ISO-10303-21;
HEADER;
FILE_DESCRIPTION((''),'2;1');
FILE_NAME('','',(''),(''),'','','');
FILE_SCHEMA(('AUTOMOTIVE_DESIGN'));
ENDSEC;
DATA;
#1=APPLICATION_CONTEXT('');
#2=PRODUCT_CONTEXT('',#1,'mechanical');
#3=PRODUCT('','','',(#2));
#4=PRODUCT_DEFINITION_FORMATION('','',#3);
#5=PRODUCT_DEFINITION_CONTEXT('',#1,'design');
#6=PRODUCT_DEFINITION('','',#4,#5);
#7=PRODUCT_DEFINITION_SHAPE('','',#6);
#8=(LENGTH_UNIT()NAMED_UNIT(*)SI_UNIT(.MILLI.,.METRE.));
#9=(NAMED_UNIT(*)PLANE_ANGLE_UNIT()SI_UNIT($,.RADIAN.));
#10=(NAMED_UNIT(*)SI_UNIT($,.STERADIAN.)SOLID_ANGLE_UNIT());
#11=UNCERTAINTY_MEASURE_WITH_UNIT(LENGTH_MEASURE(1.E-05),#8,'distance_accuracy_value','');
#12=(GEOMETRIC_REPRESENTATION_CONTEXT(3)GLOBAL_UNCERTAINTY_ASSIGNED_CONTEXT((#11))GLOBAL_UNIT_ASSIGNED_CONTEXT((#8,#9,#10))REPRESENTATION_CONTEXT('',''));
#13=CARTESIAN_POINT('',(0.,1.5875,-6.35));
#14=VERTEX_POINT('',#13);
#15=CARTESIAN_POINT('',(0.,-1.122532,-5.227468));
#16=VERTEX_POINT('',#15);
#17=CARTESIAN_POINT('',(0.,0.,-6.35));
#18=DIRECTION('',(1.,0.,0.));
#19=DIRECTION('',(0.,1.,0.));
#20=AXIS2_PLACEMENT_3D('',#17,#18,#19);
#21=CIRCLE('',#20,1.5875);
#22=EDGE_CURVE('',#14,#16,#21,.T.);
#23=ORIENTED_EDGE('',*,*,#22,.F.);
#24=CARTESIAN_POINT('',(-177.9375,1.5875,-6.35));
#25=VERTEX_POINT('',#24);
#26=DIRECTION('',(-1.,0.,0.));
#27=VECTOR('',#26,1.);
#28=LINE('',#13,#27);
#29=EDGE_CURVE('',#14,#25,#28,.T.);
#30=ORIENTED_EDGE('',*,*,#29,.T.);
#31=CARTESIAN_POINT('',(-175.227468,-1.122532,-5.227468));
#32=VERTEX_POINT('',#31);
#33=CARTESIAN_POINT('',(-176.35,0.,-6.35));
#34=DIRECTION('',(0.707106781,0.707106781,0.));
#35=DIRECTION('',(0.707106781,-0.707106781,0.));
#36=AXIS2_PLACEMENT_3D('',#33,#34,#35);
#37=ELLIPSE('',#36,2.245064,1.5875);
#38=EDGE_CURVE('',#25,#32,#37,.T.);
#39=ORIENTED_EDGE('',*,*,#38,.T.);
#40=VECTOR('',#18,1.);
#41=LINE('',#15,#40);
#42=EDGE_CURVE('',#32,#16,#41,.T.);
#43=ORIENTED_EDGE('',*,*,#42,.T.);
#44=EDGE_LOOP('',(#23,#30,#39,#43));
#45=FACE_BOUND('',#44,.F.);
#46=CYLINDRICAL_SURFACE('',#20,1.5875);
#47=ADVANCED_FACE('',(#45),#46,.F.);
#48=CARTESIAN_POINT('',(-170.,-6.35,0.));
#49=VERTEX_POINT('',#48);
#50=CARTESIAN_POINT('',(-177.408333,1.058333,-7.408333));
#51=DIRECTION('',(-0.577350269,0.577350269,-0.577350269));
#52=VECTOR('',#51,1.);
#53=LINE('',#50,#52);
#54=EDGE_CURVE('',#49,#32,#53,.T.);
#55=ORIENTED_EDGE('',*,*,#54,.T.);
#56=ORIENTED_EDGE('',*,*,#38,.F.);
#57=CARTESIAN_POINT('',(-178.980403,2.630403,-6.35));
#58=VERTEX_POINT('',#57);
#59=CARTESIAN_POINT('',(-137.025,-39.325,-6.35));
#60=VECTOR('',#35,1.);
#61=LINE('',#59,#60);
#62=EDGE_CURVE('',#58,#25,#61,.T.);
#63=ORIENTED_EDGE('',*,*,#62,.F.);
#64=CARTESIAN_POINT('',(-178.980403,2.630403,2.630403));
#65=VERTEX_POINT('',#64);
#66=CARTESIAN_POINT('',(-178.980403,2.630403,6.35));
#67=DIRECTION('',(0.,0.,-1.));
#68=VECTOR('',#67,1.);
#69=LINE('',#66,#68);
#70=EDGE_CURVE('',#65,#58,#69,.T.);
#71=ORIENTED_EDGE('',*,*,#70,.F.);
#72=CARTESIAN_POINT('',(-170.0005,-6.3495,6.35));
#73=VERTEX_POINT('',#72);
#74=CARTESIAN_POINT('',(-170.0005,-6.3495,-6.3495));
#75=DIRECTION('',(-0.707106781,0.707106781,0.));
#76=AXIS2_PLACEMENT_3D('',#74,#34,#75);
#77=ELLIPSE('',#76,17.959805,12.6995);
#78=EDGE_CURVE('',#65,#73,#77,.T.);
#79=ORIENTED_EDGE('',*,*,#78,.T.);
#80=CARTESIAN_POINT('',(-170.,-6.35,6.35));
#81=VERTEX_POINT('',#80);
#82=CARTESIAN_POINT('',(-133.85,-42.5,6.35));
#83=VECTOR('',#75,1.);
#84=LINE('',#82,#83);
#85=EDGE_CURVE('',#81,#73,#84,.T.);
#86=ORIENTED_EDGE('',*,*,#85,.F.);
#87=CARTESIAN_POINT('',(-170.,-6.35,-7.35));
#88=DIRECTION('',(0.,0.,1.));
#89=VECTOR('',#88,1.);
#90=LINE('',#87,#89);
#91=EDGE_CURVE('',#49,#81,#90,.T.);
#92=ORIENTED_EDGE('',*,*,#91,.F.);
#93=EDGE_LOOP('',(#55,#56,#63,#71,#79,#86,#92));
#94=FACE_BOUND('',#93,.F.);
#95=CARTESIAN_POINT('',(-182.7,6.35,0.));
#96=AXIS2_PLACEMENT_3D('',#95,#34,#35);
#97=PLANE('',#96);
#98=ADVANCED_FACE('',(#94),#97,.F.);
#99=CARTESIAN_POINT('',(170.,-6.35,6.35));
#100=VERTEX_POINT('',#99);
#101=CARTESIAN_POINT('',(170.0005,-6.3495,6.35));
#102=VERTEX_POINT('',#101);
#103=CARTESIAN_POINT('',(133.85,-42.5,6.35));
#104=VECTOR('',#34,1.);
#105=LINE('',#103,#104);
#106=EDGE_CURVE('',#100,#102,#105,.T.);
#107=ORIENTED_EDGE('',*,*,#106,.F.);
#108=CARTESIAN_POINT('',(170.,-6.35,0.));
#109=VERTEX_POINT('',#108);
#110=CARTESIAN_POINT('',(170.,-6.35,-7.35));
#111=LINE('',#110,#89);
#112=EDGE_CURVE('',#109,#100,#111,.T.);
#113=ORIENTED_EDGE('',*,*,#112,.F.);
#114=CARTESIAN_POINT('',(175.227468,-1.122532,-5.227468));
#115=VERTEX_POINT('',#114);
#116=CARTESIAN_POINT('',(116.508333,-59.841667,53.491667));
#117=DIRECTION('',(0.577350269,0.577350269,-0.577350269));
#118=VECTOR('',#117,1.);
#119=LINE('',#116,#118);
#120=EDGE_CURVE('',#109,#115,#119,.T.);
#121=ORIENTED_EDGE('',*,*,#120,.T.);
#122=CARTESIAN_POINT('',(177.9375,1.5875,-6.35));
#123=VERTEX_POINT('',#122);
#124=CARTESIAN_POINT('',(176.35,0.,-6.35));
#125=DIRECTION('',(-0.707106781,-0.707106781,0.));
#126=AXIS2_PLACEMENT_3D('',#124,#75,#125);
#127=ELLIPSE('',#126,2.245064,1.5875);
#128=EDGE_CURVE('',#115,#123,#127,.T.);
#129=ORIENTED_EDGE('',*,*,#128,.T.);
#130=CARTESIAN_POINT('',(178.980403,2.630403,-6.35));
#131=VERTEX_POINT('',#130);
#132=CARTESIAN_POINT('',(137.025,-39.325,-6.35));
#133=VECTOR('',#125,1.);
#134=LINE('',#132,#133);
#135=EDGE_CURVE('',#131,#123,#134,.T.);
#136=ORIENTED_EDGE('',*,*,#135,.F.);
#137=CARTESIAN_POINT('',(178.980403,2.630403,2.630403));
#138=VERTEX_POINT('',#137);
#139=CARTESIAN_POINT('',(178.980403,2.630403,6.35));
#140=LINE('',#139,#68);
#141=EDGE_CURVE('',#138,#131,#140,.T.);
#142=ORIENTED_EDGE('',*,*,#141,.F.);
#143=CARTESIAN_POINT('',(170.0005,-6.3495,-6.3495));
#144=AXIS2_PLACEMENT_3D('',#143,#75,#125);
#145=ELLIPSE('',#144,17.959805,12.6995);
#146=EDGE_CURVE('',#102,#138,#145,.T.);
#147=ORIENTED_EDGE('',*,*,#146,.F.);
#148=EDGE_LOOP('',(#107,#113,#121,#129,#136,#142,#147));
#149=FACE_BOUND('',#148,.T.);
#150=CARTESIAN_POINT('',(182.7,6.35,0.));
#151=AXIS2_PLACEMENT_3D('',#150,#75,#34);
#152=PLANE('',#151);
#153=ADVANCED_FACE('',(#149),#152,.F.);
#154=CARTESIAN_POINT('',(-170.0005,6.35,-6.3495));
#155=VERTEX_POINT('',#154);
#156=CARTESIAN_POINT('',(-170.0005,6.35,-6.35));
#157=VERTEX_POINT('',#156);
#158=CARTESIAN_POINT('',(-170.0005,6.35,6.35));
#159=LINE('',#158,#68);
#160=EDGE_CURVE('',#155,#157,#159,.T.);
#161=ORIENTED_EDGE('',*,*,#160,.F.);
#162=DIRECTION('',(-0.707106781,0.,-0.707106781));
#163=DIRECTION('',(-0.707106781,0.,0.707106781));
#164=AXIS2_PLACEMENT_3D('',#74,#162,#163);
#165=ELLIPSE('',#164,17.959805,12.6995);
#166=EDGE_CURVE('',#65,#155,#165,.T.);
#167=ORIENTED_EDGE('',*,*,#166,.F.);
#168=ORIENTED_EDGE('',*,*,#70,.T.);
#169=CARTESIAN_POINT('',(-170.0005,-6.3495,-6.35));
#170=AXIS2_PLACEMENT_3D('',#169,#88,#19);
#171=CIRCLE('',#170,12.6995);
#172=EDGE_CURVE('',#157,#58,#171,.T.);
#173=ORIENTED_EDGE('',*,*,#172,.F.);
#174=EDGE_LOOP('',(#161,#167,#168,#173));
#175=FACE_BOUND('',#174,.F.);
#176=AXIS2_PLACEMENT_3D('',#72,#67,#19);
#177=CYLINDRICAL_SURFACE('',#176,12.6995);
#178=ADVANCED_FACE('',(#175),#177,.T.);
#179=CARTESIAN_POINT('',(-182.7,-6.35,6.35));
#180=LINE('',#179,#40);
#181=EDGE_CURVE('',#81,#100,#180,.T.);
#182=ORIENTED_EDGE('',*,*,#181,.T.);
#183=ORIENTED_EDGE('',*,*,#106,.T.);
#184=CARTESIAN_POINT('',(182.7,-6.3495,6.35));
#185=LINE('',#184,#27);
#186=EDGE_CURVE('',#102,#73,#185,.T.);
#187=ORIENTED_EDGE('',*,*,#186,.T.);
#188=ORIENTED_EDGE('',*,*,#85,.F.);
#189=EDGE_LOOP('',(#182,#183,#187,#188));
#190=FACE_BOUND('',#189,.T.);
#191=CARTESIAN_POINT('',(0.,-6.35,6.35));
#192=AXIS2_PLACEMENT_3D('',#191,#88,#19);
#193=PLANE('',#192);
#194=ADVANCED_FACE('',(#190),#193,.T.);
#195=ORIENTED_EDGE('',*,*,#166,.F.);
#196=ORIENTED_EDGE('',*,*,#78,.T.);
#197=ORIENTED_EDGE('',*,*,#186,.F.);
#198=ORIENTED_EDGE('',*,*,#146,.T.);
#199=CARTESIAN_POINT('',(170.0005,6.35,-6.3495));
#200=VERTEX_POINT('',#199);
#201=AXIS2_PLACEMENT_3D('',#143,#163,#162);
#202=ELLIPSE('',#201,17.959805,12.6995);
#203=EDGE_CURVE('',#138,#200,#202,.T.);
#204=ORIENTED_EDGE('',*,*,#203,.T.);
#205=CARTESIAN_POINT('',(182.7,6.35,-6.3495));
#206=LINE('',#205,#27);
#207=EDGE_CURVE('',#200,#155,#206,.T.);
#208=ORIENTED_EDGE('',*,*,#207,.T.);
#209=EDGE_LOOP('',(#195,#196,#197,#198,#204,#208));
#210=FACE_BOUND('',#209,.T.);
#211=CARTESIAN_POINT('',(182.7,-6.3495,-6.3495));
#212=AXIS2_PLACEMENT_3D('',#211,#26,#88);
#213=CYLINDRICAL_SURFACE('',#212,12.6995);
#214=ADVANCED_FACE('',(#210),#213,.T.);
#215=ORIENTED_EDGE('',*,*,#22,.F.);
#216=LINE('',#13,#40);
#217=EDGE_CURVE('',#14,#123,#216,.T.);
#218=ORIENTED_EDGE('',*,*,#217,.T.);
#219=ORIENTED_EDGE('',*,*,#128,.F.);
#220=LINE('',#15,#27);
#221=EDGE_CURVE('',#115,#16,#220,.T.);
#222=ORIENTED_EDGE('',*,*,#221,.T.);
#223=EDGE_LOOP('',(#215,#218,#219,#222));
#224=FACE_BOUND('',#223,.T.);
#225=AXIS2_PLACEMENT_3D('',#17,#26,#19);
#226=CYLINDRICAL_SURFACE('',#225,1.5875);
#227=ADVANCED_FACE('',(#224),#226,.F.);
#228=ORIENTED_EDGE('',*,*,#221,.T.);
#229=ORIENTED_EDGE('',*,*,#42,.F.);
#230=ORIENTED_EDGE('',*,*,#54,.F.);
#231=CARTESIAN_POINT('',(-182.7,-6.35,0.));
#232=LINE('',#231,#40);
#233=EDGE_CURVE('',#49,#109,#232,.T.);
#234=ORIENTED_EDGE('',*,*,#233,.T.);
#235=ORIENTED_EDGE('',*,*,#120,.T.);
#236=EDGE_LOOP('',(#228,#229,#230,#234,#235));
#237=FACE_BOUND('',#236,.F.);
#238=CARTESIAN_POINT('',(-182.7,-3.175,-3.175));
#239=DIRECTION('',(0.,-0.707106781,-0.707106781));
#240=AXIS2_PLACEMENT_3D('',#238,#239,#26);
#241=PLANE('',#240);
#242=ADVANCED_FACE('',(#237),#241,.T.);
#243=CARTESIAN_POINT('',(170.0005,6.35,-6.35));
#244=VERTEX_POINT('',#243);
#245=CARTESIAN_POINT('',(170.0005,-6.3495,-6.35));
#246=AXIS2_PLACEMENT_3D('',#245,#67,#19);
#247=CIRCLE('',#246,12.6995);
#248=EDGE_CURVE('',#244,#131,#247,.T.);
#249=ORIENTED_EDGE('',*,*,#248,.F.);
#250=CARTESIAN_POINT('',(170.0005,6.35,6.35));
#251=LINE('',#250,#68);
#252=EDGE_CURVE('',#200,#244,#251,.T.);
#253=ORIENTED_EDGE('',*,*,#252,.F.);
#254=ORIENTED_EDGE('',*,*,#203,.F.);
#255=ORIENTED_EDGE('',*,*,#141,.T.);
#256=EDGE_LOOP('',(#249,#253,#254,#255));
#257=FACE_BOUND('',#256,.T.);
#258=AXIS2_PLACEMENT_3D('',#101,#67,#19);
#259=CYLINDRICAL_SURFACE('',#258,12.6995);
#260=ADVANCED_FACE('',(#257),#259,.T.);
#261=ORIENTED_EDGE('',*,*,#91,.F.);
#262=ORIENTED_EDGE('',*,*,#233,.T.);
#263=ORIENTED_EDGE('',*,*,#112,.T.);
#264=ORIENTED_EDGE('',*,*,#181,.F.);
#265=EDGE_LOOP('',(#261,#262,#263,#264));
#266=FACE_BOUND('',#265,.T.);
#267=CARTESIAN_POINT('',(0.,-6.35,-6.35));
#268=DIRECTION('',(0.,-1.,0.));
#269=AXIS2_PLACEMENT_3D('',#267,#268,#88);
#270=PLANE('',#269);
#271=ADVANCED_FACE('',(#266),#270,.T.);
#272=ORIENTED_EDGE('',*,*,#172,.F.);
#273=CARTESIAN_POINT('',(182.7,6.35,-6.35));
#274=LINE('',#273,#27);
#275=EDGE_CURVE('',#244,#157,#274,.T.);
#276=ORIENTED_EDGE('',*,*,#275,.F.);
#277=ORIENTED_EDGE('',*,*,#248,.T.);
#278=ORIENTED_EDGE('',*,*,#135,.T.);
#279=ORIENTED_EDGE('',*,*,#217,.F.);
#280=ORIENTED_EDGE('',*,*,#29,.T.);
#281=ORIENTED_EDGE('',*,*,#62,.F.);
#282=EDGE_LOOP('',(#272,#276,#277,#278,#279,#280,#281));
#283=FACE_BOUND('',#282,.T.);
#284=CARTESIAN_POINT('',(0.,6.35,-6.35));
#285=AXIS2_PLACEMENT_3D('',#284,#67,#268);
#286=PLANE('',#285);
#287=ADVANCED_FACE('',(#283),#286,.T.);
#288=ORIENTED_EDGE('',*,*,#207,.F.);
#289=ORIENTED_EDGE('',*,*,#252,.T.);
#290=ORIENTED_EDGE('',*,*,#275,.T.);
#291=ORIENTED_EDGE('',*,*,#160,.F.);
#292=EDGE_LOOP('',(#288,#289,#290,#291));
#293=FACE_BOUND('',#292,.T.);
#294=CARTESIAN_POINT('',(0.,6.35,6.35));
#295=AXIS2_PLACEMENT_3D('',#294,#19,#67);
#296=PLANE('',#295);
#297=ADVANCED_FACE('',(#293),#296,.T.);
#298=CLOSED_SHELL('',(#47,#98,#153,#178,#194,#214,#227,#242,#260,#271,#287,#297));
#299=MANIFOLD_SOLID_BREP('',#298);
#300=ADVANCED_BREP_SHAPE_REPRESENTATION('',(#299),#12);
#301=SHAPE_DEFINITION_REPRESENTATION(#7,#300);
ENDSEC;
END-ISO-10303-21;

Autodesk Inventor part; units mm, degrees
ref_plane "YZ Plane" through (0, 0, 0) normal (1, 0, 0) x (0, 1, 0)
ref_plane "XZ Plane" through (0, 0, 0) normal (0, 1, 0) x (-1, 0, 0)
ref_plane "XY Plane" through (0, 0, 0) normal (0, 0, 1) x (1, 0, 0)
sketch "Sketch1" plane through (0, 0, 0) normal (1, 0, 0) x (0, 1, 0)
  line L0 (-6.35, 6.35) -> (6.35, 6.35)
  line L1 (6.35, 6.35) -> (6.35, -6.35)
  line L2 (6.35, -6.35) -> (-6.35, -6.35)
  line L3 (-6.35, -6.35) -> (-6.35, 6.35)
  line L4 (-6.35, 6.35) -> (6.35, -6.35) construction
  line L5 (6.35, 6.35) -> (-6.35, -6.35) construction
  point P0 (0, 0)
  dimension "d0" = 12.7
  dimension "d1" = 12.7
extrude "Extrusion1" add sketch "Sketch1" along normal mid plane 365.4
fillet "Fillet1" radius 12.7 3 edges at (0, 6.35, 6.35) (-182.7, 6.35, 0) (182.7, 6.35, 0)
chamfer "Chamfer1" distance 6.35 angle 45 1 edges at (0, -6.35, -6.35)
sketch "Sketch2" plane through (0, 0, 0) normal (0, 0, 1) x (1, 0, 0)
  line L0 (-182.7, -6.35) -> (182.7, -6.35) projected
  line L1 (170, 6.35) -> (-170, 6.35) projected
  line L2 (-182.7, -6.35) -> (-182.7, 6.35)
  line L3 (-182.7, 6.35) -> (-170, -6.35)
  line L4 (-182.7, 6.35) -> (-170, 6.35) construction
  point P0 (0, 0)
  dimension "d11" = 45
extrude "Extrusion2" cut sketch "Sketch2" along normal through all both and the other way through all
mirror "Mirror1" about plane through (0, 0, 0) normal (1, 0, 0) of "Extrusion2"
sketch "Sketch3" plane through (0, 0, 0) normal (1, 0, 0) x (0, 1, 0)
  line L0 (-6.35, 6.35) -> (-6.35, 6.35) projected
  line L1 (-6.35, 0) -> (-6.35, 6.35) projected
  line L2 (0, -6.35) -> (-6.35, 0) projected
  line L3 (2.6303, -6.35) -> (0, -6.35) projected
  line L4 (2.6303, 2.6303) -> (2.6303, -6.35) projected
  arc A0 (2.6303, 2.6303) -> (-6.35, 6.35) centre (-6.35, -6.35) ccw projected
  circle A1 centre (0, -6.35) radius 1.5875
  line L5 (6.35, -6.35) -> (2.6303, -6.35) projected
  point P0 (0, 0)
  dimension "d14" = 3.175
  dimension "d15" = 6.35
extrude "Extrusion3" cut sketch "Sketch3" along normal through all both and the other way through all contours A1 L3 L2 | L2 L3 A1
equation "\"d0\" = facingThickness"
equation "\"d1\" = facingThickness"
equation "\"d7\" = 0.999999 * facingThickness"
equation "\"d4\" = 0.5 * facingThickness"
equation "\"d14\" = 0.25 * facingThickness"
equation "\"d15\" = 0.5 * facingThickness"
equation "\"mppcMountThickness\" = 6.35"
equation "\"facingThickness\" = 12.7"
equation "\"facingGasketThickness\" = 1.5875"
properties part number "frontBackMoulding" material "Wood (Cherry)"
